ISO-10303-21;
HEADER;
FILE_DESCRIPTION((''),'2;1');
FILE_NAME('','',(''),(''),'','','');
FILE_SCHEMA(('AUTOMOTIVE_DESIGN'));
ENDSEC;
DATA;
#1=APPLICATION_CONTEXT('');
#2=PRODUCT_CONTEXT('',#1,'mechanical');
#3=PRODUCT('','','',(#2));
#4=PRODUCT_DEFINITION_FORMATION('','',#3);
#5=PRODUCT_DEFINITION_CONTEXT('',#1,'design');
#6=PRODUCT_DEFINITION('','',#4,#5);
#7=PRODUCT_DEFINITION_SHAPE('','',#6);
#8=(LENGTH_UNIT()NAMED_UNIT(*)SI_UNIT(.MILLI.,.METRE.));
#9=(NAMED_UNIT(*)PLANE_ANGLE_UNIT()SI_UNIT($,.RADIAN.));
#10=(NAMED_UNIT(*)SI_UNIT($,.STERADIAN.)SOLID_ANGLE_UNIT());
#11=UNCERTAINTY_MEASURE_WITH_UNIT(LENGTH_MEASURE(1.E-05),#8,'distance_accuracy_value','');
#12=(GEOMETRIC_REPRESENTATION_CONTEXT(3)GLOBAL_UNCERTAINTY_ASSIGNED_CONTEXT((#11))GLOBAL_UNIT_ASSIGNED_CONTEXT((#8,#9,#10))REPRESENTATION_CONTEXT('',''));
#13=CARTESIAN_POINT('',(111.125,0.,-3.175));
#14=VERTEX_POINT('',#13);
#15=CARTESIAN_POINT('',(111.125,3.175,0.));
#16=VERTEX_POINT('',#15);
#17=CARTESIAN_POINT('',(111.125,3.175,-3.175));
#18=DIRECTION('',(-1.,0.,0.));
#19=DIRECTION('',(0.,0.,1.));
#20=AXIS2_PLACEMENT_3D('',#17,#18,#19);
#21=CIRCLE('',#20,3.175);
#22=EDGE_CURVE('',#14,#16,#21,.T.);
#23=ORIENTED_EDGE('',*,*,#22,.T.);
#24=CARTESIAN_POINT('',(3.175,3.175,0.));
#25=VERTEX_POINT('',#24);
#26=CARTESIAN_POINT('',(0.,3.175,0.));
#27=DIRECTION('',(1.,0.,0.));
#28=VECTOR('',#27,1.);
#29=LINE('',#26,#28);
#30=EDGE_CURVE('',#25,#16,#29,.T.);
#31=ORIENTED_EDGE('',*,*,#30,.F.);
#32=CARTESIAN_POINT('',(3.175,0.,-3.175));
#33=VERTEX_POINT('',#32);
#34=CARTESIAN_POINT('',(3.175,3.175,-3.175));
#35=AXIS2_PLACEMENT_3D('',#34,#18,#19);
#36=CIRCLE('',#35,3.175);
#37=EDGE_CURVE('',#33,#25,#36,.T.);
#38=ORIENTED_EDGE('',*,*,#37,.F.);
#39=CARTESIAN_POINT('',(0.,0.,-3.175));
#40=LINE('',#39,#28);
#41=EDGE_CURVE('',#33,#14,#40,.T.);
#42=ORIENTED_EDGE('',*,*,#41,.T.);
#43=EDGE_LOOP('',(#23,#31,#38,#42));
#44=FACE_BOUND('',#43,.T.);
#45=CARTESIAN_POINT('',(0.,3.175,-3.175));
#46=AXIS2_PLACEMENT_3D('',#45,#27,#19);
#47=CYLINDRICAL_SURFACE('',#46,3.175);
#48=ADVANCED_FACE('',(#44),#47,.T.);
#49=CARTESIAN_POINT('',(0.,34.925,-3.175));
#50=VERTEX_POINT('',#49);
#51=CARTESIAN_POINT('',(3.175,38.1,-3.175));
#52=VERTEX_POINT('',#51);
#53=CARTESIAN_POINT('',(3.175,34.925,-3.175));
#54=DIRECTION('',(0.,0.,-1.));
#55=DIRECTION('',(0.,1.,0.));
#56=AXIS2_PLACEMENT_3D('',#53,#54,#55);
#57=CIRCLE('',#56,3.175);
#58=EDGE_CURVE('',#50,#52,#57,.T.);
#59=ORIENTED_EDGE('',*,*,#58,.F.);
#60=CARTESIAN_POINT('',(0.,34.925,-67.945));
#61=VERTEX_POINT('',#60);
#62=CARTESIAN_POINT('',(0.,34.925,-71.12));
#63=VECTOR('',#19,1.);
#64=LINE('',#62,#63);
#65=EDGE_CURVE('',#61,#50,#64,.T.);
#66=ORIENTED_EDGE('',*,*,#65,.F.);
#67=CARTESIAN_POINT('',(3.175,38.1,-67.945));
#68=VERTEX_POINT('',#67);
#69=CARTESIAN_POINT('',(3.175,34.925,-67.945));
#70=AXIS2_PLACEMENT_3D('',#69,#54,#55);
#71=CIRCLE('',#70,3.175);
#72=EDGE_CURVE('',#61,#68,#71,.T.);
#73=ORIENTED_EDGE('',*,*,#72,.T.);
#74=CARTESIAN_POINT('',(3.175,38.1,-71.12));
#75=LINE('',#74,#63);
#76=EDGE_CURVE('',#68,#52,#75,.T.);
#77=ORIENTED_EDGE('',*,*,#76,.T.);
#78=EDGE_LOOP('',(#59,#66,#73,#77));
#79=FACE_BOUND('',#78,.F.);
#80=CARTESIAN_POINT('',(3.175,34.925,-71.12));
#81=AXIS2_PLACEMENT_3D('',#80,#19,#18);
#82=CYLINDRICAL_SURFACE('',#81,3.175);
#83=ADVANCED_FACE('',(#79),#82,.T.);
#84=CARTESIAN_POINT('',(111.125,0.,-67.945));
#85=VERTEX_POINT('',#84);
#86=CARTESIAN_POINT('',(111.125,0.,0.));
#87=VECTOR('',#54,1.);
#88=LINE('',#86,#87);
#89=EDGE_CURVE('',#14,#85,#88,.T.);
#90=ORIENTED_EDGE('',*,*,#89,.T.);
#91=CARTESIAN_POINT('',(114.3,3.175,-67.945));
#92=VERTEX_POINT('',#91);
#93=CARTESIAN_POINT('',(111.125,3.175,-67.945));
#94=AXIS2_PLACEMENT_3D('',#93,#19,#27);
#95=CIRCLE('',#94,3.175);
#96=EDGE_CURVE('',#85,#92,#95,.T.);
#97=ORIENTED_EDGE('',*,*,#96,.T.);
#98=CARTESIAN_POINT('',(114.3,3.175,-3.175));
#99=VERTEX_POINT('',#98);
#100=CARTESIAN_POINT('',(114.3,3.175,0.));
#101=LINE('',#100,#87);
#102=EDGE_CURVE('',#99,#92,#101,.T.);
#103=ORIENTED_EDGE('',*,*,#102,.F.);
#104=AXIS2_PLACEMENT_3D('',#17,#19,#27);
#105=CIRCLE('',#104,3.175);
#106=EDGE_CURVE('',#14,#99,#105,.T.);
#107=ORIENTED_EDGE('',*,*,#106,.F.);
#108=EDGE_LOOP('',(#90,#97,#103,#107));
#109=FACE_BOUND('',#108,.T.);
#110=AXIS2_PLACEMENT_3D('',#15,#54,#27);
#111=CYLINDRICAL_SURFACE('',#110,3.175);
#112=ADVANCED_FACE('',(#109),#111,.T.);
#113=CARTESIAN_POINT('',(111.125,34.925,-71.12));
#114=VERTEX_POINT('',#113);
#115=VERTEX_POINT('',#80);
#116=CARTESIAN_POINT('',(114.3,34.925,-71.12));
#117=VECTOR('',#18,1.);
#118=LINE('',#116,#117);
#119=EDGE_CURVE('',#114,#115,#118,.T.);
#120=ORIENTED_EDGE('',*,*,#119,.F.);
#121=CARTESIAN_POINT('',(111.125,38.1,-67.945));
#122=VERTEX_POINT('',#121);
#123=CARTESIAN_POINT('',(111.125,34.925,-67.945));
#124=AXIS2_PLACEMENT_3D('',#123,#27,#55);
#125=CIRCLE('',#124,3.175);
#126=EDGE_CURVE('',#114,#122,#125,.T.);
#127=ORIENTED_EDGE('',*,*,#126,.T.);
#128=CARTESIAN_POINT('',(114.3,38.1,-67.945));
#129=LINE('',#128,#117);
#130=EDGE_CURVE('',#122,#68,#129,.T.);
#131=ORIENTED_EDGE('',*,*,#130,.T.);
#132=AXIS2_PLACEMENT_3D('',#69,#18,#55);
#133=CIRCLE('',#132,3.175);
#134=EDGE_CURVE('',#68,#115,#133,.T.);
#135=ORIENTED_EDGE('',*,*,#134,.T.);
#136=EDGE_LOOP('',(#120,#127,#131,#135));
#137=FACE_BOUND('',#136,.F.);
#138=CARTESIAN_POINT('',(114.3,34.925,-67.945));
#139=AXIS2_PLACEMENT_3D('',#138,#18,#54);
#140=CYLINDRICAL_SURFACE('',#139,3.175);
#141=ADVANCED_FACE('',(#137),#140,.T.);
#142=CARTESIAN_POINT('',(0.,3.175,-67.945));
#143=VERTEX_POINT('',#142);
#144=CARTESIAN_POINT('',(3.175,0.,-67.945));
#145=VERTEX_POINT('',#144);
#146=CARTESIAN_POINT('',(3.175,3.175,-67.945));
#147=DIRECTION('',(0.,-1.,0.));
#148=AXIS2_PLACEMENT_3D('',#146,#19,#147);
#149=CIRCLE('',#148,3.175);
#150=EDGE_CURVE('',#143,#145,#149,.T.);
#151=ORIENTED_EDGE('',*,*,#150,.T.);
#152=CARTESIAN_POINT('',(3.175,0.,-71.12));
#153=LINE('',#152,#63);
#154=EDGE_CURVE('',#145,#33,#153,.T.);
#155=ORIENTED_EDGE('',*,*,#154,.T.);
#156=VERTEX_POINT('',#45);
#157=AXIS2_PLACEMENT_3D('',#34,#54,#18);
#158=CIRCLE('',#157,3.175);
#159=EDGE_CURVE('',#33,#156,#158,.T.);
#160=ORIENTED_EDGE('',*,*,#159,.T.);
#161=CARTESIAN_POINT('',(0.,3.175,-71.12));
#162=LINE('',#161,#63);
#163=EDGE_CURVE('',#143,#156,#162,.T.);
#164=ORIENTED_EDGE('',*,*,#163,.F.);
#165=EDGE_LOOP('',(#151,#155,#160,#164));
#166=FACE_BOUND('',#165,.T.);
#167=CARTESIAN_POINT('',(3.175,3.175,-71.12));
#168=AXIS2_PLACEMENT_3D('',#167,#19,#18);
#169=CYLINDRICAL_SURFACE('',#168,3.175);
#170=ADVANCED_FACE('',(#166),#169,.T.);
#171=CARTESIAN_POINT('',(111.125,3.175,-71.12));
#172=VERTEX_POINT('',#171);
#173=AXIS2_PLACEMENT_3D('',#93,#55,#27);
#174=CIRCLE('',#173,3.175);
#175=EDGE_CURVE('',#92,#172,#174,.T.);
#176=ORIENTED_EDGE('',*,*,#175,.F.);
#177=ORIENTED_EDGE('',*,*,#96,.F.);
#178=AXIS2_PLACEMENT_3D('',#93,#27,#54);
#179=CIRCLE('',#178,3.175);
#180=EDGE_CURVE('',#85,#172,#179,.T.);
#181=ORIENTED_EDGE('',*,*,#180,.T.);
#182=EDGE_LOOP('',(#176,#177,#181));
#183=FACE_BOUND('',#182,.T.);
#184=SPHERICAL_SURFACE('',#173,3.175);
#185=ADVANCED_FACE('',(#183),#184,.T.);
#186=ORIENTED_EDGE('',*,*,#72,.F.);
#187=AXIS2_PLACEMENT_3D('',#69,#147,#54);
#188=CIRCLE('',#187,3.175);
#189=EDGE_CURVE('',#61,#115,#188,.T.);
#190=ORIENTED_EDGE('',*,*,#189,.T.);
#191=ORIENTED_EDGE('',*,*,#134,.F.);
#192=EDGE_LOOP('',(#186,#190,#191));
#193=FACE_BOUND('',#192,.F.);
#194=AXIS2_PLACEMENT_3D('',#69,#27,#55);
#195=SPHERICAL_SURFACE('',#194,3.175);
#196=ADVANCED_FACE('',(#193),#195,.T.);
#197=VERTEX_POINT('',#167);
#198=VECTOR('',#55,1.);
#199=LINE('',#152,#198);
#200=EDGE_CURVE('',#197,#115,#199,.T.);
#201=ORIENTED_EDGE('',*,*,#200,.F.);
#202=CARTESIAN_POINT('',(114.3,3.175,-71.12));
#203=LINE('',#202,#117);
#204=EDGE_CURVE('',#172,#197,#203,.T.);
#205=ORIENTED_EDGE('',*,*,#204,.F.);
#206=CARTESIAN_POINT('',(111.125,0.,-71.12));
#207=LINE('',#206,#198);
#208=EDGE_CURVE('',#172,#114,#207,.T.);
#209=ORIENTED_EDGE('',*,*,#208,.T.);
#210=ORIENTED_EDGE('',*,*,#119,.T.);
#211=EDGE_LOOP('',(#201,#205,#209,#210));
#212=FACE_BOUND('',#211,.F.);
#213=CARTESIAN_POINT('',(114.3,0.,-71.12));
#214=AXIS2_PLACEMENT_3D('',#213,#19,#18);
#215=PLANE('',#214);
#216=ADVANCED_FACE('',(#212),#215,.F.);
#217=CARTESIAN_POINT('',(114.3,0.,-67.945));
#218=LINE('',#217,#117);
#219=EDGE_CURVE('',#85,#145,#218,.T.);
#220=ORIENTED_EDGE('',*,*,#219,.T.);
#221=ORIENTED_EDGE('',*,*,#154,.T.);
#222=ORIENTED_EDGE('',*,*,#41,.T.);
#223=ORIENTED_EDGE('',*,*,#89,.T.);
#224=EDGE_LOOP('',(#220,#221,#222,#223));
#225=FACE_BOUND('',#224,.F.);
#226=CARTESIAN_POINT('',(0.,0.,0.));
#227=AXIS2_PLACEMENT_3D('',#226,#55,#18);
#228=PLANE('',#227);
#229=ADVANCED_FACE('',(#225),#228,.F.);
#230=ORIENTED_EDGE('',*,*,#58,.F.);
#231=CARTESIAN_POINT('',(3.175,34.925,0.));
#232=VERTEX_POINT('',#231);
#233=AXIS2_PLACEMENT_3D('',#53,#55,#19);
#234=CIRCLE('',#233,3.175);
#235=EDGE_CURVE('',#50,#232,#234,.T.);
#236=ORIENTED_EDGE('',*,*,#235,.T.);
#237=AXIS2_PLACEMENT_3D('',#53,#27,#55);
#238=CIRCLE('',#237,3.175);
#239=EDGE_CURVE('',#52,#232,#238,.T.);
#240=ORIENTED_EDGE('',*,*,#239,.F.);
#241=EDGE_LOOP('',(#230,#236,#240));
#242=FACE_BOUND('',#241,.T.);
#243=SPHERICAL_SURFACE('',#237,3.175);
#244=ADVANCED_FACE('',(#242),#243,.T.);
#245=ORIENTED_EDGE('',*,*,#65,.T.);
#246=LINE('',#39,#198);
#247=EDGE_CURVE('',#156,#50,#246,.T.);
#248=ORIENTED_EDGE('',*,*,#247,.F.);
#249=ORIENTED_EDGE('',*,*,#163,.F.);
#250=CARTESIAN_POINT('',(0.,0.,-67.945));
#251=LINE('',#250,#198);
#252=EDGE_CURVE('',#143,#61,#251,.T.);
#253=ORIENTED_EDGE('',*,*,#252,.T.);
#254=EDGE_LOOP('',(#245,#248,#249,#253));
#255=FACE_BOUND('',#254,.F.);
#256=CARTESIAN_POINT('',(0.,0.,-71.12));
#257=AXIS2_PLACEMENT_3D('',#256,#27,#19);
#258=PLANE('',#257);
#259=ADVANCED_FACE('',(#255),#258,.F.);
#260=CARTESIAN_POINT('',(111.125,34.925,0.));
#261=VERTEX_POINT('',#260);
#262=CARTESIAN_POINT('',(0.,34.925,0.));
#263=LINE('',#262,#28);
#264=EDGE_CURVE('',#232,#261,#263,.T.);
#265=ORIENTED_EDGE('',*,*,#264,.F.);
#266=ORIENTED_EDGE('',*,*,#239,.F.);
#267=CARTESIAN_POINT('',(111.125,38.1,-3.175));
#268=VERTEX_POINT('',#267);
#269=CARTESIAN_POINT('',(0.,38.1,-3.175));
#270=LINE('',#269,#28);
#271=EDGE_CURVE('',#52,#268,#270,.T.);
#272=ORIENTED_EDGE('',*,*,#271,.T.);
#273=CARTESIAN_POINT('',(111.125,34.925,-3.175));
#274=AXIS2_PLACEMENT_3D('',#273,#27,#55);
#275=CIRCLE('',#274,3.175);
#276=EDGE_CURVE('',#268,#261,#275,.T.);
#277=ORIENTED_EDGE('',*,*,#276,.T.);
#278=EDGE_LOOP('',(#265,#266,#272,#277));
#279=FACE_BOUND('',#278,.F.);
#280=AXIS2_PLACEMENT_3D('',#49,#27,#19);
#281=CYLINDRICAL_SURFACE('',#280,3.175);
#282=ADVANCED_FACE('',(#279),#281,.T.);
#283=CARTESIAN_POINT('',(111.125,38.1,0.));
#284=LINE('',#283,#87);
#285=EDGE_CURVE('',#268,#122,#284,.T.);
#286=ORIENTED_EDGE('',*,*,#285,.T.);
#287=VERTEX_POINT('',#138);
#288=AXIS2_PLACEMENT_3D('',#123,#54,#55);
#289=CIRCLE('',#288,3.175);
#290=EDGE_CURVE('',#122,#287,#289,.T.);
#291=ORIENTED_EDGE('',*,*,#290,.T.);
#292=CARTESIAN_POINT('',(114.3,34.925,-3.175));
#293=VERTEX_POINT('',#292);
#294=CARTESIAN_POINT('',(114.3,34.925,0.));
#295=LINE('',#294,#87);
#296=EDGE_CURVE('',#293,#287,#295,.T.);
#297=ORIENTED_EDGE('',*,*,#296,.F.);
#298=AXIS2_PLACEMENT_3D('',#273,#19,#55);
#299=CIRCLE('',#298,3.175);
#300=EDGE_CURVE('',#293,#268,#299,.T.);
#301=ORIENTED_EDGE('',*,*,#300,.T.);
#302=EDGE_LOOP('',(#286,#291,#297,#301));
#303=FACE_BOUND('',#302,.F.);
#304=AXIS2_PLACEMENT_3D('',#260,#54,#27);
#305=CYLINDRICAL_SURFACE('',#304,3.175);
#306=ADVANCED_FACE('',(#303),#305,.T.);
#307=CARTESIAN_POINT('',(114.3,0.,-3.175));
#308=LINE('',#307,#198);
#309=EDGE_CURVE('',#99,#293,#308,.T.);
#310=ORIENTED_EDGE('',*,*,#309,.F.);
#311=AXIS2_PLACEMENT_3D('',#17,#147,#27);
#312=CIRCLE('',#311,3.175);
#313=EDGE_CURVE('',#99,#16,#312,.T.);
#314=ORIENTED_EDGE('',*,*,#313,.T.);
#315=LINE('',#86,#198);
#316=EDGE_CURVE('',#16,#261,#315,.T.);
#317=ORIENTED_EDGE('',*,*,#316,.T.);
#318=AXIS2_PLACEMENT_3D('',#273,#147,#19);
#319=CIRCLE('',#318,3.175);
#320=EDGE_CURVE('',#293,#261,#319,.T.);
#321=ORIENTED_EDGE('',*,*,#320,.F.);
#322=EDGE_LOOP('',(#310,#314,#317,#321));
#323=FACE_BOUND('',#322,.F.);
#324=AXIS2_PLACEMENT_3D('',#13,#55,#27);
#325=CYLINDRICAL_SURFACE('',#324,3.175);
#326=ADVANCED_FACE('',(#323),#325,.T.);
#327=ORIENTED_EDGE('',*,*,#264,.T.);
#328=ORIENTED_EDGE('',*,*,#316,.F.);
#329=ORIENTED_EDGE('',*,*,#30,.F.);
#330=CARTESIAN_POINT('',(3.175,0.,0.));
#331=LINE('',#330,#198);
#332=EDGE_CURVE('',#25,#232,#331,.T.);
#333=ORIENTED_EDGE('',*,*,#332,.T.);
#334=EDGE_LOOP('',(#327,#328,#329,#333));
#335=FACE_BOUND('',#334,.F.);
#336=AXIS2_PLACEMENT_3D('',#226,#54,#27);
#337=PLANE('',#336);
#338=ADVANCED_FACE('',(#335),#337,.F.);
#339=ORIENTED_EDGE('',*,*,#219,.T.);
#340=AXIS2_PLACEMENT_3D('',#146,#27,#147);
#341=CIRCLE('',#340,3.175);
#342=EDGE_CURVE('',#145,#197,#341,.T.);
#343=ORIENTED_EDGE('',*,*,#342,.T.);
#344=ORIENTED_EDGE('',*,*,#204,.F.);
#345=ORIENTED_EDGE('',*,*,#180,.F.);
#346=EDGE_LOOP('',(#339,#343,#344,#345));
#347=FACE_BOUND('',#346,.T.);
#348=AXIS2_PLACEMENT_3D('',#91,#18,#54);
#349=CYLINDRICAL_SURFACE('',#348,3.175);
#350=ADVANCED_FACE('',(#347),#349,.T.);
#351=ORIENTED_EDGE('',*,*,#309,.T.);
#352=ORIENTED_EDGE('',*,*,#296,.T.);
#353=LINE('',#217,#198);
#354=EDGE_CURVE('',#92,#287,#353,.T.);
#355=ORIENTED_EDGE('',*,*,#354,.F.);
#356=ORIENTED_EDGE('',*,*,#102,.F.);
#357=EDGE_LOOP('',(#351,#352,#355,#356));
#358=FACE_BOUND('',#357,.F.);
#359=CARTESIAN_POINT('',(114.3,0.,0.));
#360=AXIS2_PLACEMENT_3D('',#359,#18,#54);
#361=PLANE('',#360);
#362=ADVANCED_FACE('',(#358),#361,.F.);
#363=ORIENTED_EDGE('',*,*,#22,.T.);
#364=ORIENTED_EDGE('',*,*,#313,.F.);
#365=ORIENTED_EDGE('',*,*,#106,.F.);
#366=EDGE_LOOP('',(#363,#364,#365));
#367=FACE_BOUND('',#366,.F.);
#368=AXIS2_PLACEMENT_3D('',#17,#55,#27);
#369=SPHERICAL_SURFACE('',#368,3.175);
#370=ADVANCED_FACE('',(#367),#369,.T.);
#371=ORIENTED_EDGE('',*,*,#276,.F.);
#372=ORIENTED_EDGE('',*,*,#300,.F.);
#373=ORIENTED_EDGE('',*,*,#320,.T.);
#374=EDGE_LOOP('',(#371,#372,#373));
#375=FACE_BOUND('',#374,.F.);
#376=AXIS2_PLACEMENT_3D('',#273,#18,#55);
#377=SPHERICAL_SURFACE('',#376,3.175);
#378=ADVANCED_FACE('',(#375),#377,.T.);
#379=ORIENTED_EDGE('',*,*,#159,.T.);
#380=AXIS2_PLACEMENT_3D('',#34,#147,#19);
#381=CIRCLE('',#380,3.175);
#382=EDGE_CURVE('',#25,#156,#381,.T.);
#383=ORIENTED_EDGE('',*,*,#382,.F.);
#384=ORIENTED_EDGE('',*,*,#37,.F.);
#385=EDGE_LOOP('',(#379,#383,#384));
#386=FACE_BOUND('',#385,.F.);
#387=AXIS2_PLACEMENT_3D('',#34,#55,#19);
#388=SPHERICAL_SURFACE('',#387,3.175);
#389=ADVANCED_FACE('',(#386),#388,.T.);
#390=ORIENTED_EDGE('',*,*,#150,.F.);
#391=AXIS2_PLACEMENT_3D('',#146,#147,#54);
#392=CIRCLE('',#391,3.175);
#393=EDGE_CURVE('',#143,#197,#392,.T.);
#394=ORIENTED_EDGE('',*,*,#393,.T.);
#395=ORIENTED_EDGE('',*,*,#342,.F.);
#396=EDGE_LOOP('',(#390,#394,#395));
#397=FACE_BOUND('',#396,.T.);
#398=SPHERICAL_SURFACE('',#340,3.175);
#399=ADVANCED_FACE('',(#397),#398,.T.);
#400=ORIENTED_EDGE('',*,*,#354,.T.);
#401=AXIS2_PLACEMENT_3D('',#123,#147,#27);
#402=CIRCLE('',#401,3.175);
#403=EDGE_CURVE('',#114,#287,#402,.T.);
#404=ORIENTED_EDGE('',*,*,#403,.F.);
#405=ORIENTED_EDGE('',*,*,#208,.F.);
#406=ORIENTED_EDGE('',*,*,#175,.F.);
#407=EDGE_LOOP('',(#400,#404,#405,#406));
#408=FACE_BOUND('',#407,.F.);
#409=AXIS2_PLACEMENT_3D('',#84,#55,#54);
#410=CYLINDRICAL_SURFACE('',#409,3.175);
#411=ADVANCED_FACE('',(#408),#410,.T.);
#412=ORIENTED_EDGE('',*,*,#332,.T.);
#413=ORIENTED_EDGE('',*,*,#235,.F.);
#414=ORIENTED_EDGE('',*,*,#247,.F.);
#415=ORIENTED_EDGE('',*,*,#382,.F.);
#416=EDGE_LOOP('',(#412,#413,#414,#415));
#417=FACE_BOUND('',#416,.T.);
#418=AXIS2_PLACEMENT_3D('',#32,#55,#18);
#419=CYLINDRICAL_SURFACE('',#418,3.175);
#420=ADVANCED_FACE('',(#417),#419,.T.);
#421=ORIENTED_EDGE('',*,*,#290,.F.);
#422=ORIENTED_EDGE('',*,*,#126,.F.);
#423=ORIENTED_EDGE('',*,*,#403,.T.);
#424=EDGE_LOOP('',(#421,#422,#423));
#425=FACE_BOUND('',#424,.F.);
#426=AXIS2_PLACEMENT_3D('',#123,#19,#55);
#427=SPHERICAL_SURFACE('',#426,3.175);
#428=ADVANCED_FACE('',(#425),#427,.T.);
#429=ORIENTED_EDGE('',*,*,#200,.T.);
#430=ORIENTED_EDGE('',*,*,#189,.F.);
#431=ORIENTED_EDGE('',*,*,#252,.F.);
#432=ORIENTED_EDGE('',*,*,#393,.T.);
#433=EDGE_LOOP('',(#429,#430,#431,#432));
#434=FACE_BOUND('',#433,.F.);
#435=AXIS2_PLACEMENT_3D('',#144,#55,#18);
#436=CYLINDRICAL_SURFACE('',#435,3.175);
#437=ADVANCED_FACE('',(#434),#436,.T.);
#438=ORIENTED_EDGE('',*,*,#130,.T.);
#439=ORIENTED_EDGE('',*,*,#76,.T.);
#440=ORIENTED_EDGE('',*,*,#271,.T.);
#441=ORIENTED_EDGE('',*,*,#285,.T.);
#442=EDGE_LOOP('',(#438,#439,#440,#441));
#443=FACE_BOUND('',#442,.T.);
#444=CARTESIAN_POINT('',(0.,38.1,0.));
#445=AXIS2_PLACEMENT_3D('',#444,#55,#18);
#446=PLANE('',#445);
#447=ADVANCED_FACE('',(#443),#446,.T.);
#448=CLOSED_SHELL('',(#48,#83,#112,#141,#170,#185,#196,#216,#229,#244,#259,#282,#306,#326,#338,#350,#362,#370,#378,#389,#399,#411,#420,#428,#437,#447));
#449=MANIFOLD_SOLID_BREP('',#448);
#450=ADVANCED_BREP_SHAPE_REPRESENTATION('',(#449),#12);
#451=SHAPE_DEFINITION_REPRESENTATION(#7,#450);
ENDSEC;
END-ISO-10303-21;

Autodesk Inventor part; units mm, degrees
ref_plane "YZ Plane" through (0, 0, 0) normal (1, 0, 0) x (0, 1, 0)
ref_plane "XZ Plane" through (0, 0, 0) normal (0, 1, 0) x (-1, 0, 0)
ref_plane "XY Plane" through (0, 0, 0) normal (0, 0, 1) x (1, 0, 0)
sketch "Sketch1" plane through (0, 0, 0) normal (0, 1, 0) x (-1, 0, 0)
  line L0 (0, 0) -> (-114.3, 0)
  line L1 (-114.3, 0) -> (-114.3, -71.12)
  line L2 (-114.3, -71.12) -> (0, -71.12)
  line L3 (0, -71.12) -> (0, 0)
  dimension "d0" = 114.3
  dimension "d1" = 71.12
extrude "Extrusion1" add sketch "Sketch1" along normal blind 38.1
fillet "Fillet1" radius 3.175 12 edges at (57.15, 38.1, 0) (114.3, 38.1, -35.56) (57.15, 38.1, -71.12) (0, 38.1, -35.56) (0, 19.05, 0) (114.3, 19.05, 0) (114.3, 19.05, -71.12) (114.3, 0, -35.56) (57.15, 0, -71.12) (57.15, 0, 0) (0, 0, -35.56) (0, 19.05, -71.12)
properties part number "Battery_Model"
